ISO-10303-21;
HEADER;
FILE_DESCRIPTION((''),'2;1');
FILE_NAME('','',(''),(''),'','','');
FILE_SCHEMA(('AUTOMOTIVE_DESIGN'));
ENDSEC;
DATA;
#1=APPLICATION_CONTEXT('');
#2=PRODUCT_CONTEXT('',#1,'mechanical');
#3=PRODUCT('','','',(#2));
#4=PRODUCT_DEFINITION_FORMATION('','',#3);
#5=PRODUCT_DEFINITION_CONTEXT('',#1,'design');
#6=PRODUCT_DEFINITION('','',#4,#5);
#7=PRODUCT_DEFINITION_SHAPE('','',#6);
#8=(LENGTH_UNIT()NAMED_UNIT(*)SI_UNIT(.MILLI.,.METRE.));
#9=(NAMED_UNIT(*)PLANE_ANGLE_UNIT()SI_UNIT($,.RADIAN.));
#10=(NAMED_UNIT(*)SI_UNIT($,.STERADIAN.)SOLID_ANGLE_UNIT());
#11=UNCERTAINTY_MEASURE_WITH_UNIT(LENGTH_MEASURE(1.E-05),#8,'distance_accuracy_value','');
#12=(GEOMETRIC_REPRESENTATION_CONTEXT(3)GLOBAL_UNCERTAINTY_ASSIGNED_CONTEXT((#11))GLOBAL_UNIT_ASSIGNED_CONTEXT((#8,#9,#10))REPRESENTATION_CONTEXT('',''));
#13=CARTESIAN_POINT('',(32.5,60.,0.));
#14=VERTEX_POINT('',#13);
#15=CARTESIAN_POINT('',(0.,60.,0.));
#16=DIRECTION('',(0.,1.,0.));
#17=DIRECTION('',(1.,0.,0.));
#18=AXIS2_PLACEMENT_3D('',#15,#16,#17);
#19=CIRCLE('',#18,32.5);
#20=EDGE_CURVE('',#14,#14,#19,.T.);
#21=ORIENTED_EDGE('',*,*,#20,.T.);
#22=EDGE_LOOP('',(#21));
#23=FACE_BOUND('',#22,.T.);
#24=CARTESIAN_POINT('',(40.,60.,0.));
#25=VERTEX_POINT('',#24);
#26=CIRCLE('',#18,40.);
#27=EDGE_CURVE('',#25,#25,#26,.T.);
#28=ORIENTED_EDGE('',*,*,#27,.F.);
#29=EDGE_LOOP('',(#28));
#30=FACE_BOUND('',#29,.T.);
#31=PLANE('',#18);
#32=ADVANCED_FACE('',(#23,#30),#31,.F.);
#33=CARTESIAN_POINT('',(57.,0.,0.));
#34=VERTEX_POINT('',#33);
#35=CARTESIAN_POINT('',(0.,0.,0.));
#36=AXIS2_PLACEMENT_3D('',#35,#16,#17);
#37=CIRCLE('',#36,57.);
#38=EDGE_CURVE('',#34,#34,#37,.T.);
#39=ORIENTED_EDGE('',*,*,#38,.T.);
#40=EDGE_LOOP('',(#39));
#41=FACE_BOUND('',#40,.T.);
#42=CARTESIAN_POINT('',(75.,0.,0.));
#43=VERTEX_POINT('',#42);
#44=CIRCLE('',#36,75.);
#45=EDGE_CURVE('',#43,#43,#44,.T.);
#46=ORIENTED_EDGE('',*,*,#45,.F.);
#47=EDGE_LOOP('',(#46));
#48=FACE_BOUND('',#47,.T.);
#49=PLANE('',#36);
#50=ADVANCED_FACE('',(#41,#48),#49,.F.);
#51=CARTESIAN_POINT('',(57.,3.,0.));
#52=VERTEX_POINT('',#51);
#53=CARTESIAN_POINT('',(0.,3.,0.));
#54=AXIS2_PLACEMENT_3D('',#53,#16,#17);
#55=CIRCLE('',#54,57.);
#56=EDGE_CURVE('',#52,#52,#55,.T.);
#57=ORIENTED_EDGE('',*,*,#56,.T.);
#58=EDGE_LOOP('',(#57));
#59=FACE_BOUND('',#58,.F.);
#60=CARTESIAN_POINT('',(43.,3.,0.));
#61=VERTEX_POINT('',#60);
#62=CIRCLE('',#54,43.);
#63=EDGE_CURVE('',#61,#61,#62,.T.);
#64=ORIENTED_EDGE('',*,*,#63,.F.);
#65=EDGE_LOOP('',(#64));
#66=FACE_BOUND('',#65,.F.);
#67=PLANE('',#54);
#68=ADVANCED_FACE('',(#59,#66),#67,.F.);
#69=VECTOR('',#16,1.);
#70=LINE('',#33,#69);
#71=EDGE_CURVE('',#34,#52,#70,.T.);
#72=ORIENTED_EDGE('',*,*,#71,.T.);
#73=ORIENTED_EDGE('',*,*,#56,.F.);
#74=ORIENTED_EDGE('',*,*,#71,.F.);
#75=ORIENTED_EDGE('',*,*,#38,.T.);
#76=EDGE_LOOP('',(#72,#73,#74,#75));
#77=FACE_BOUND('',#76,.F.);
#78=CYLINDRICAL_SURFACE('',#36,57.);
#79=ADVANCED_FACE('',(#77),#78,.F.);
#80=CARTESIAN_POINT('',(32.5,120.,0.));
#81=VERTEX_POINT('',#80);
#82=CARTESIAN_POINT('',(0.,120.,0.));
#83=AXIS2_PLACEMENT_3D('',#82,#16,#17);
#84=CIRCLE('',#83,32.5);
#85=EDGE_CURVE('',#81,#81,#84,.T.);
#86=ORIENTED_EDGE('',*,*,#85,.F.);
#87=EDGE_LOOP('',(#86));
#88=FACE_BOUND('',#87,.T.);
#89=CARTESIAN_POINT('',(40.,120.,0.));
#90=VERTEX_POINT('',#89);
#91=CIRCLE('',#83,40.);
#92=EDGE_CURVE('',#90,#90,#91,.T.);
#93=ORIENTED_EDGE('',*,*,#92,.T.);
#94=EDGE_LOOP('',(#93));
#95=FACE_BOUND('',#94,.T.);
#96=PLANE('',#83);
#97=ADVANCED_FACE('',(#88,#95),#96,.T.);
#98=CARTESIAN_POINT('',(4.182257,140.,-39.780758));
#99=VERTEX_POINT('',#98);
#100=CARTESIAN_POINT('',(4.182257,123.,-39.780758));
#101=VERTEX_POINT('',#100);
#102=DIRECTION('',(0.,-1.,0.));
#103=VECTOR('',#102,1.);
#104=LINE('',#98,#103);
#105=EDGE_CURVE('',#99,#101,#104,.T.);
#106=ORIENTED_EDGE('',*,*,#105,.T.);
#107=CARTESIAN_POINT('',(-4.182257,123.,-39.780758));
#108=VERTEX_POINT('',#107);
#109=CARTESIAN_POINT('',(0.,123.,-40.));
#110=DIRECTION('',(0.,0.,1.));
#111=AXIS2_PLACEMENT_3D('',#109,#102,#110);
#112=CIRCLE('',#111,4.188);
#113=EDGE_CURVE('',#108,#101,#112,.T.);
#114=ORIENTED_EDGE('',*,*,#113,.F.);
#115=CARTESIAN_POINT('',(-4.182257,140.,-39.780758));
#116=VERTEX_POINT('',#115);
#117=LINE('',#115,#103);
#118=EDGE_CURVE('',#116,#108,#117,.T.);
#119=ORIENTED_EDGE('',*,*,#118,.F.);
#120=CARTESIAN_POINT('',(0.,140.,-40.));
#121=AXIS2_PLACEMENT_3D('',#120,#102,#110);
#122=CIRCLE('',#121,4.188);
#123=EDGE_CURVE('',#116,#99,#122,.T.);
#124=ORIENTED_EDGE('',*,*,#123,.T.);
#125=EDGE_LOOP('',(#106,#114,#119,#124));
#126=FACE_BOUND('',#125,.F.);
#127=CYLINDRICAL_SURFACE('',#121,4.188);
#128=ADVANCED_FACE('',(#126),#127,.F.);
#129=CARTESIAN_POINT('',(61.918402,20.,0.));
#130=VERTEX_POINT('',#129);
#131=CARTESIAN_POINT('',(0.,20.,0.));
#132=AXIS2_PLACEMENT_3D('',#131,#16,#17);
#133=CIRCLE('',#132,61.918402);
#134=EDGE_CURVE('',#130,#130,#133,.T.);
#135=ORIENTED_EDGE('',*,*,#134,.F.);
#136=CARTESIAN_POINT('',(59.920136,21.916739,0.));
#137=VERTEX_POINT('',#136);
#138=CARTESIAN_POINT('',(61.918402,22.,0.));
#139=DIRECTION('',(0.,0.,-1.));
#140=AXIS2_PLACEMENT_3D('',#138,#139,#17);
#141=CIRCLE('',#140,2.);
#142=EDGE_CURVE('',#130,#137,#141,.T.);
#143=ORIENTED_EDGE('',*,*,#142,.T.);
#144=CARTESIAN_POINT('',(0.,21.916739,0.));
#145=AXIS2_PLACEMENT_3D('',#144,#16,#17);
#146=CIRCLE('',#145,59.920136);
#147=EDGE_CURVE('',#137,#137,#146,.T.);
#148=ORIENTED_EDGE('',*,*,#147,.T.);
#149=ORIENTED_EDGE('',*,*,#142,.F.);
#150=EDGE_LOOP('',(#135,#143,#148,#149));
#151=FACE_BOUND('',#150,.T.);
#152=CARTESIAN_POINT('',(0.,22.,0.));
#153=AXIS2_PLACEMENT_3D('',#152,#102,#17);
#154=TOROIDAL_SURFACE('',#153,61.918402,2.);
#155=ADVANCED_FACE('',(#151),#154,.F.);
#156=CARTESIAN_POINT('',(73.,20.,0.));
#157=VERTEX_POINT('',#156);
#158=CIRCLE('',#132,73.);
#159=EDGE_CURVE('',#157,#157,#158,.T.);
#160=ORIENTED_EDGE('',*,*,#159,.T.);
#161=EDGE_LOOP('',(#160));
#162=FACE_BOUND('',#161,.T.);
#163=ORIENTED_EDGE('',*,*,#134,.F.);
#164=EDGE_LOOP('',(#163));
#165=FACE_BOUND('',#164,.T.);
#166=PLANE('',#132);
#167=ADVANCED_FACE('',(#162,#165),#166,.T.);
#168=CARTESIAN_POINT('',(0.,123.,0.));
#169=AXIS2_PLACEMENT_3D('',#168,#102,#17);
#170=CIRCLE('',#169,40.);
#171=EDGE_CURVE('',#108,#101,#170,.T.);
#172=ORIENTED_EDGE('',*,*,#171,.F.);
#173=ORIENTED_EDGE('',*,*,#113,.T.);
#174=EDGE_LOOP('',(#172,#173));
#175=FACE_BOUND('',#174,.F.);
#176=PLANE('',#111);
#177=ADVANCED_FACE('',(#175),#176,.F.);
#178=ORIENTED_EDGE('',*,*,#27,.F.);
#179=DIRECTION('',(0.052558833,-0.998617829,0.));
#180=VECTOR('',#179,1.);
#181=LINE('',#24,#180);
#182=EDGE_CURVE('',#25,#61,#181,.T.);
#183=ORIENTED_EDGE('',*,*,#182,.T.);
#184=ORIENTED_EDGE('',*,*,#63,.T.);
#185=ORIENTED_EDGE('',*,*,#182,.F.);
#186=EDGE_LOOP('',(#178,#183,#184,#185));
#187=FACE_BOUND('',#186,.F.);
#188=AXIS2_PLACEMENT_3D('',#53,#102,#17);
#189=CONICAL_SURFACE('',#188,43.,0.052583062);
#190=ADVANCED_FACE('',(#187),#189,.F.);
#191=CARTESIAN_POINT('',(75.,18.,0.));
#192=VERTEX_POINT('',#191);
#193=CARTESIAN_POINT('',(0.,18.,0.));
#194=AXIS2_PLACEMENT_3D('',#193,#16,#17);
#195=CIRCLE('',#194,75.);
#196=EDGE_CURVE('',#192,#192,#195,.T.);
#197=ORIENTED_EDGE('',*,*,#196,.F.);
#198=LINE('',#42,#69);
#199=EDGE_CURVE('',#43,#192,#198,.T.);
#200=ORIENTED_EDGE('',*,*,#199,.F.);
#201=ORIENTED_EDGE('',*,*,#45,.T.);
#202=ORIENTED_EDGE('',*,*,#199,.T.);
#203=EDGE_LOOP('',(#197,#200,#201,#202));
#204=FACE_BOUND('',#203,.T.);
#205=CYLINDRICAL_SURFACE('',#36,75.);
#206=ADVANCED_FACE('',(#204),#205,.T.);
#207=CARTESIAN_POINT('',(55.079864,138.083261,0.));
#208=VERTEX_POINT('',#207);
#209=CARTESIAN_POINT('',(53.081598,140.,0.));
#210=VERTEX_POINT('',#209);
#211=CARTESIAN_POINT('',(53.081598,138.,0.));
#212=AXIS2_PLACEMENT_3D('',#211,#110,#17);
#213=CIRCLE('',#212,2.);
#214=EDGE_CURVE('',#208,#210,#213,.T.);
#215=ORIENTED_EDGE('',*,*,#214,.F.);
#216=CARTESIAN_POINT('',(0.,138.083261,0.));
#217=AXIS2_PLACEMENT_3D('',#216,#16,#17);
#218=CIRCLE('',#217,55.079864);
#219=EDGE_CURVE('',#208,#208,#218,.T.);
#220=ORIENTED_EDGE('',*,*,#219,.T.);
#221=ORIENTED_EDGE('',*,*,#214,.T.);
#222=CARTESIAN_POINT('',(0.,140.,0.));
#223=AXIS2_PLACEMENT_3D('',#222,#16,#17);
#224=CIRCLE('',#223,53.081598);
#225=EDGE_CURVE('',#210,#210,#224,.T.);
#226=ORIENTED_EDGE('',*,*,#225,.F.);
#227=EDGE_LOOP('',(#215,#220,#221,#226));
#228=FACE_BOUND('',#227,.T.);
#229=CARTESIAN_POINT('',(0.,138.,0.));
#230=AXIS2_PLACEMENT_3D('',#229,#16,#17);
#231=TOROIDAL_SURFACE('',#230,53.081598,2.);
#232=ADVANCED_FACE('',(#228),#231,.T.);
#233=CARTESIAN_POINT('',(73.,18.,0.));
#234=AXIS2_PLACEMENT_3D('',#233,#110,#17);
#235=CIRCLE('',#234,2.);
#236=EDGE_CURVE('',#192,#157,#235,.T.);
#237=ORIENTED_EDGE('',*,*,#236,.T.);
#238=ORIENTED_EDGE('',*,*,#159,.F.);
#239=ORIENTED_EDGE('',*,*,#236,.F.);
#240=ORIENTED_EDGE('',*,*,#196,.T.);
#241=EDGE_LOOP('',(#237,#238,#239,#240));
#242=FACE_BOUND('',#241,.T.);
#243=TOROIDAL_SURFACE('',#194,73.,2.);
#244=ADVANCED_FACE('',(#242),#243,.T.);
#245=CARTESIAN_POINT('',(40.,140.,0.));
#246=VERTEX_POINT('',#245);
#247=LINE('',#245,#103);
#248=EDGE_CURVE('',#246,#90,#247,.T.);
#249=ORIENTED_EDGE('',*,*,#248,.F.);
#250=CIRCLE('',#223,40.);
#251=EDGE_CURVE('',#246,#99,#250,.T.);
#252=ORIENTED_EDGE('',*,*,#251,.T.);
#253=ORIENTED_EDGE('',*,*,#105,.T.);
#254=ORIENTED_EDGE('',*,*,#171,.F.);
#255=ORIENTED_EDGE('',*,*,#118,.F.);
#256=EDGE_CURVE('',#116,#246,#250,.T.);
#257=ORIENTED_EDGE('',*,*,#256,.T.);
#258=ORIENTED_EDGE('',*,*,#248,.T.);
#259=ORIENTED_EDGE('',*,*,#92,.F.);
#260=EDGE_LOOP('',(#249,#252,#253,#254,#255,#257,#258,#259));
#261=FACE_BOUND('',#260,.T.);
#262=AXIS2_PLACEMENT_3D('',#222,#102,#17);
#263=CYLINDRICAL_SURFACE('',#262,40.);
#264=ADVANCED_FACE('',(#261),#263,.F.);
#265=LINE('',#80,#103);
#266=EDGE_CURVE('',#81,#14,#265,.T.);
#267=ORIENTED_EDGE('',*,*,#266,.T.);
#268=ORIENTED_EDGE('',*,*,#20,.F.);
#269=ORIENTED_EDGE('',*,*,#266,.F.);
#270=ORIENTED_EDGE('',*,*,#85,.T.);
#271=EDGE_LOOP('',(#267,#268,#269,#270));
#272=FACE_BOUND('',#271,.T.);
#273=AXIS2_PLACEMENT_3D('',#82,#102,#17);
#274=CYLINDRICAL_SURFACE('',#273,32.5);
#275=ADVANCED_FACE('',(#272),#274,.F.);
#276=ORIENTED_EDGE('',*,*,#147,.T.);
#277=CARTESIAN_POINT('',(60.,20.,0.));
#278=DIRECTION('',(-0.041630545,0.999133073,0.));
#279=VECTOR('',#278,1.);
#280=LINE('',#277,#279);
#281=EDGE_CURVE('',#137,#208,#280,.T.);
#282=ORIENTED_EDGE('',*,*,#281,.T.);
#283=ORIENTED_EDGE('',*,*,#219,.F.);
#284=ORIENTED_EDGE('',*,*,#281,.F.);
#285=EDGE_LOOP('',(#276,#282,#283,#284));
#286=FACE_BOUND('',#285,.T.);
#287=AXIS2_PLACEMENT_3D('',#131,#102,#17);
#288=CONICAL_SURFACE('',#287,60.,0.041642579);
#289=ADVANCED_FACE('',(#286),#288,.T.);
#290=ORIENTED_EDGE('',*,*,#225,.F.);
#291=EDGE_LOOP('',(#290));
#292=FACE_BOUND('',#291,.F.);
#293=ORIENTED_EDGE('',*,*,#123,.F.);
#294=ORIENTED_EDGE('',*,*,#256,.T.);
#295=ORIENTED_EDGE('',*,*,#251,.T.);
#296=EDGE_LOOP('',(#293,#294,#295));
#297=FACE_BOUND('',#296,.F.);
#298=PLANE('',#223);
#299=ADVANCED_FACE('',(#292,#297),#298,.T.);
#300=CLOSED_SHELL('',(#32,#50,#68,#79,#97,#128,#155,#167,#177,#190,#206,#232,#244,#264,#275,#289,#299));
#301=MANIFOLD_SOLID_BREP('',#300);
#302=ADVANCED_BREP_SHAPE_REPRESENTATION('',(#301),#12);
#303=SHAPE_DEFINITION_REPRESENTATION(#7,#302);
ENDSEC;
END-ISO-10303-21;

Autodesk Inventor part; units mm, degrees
ref_plane "YZ Plane" through (0, 0, 0) normal (1, 0, 0) x (0, 1, 0)
ref_plane "XZ Plane" through (0, 0, 0) normal (0, 1, 0) x (-1, 0, 0)
ref_plane "XY Plane" through (0, 0, 0) normal (0, 0, 1) x (1, 0, 0)
sketch "草图1" plane through (0, 0, 0) normal (0, 0, 1) x (1, 0, 0)
  line L0 (0, 0) -> (57, 0)
  line L1 (57, 0) -> (75, 0)
  line L2 (75, 0) -> (75, 20)
  line L3 (0, 0) -> (0, 140)
  line L4 (0, 140) -> (55, 140)
  line L5 (0, 140) -> (40, 140)
  line L6 (40, 140) -> (40, 120)
  line L7 (40, 120) -> (32.5, 120)
  line L8 (32.5, 120) -> (32.5, 60)
  line L9 (32.5, 60) -> (40, 60)
  line L10 (57, 0) -> (57, 3)
  line L11 (57, 3) -> (0, 3)
  line L12 (0, 3) -> (43, 3)
  line L13 (43, 3) -> (40, 60)
  line L14 (75, 20) -> (0, 20)
  line L15 (0, 20) -> (60, 20)
  line L16 (60, 20) -> (55, 140)
  dimension "d0" = 57
  dimension "d1" = 18
  dimension "d2" = 20
  dimension "d3" = 140
  dimension "d4" = 55
  dimension "d5" = 40
  dimension "d6" = 20
  dimension "d7" = 7.5
  dimension "d10" = 7.5
  dimension "d11" = 3
  dimension "d12" = 43
  dimension "d13" = 60
revolve "旋转1" add sketch "草图1" angle 360 about axis through (0, 0, 0) along (0, 1, 0) contours L10 L11 L13 L14 L2 L1 | L13 L9 L8 L7 L6 L4 L16 L14
fillet "圆角1" radius 2 1 edges at (-75, 20, 0)
fillet "圆角2" radius 2 1 edges at (-60, 20, 0)
fillet "圆角3" radius 2 1 edges at (-55, 140, 0)
sketch "草图2" plane through (0, 140, 0) normal (0, 1, 0) x (1, 0, 0)
  circle A0 centre (0, 0) radius 40 projected
  point P0 (0, 40)
hole "孔1" at (0, 140, -40) direction (0, -1, 0) diameter 8.376 depth 17 thread size "M10x1.5" designation "M10" class "6H" standard "GB Metric profile"
properties part number "底座"
